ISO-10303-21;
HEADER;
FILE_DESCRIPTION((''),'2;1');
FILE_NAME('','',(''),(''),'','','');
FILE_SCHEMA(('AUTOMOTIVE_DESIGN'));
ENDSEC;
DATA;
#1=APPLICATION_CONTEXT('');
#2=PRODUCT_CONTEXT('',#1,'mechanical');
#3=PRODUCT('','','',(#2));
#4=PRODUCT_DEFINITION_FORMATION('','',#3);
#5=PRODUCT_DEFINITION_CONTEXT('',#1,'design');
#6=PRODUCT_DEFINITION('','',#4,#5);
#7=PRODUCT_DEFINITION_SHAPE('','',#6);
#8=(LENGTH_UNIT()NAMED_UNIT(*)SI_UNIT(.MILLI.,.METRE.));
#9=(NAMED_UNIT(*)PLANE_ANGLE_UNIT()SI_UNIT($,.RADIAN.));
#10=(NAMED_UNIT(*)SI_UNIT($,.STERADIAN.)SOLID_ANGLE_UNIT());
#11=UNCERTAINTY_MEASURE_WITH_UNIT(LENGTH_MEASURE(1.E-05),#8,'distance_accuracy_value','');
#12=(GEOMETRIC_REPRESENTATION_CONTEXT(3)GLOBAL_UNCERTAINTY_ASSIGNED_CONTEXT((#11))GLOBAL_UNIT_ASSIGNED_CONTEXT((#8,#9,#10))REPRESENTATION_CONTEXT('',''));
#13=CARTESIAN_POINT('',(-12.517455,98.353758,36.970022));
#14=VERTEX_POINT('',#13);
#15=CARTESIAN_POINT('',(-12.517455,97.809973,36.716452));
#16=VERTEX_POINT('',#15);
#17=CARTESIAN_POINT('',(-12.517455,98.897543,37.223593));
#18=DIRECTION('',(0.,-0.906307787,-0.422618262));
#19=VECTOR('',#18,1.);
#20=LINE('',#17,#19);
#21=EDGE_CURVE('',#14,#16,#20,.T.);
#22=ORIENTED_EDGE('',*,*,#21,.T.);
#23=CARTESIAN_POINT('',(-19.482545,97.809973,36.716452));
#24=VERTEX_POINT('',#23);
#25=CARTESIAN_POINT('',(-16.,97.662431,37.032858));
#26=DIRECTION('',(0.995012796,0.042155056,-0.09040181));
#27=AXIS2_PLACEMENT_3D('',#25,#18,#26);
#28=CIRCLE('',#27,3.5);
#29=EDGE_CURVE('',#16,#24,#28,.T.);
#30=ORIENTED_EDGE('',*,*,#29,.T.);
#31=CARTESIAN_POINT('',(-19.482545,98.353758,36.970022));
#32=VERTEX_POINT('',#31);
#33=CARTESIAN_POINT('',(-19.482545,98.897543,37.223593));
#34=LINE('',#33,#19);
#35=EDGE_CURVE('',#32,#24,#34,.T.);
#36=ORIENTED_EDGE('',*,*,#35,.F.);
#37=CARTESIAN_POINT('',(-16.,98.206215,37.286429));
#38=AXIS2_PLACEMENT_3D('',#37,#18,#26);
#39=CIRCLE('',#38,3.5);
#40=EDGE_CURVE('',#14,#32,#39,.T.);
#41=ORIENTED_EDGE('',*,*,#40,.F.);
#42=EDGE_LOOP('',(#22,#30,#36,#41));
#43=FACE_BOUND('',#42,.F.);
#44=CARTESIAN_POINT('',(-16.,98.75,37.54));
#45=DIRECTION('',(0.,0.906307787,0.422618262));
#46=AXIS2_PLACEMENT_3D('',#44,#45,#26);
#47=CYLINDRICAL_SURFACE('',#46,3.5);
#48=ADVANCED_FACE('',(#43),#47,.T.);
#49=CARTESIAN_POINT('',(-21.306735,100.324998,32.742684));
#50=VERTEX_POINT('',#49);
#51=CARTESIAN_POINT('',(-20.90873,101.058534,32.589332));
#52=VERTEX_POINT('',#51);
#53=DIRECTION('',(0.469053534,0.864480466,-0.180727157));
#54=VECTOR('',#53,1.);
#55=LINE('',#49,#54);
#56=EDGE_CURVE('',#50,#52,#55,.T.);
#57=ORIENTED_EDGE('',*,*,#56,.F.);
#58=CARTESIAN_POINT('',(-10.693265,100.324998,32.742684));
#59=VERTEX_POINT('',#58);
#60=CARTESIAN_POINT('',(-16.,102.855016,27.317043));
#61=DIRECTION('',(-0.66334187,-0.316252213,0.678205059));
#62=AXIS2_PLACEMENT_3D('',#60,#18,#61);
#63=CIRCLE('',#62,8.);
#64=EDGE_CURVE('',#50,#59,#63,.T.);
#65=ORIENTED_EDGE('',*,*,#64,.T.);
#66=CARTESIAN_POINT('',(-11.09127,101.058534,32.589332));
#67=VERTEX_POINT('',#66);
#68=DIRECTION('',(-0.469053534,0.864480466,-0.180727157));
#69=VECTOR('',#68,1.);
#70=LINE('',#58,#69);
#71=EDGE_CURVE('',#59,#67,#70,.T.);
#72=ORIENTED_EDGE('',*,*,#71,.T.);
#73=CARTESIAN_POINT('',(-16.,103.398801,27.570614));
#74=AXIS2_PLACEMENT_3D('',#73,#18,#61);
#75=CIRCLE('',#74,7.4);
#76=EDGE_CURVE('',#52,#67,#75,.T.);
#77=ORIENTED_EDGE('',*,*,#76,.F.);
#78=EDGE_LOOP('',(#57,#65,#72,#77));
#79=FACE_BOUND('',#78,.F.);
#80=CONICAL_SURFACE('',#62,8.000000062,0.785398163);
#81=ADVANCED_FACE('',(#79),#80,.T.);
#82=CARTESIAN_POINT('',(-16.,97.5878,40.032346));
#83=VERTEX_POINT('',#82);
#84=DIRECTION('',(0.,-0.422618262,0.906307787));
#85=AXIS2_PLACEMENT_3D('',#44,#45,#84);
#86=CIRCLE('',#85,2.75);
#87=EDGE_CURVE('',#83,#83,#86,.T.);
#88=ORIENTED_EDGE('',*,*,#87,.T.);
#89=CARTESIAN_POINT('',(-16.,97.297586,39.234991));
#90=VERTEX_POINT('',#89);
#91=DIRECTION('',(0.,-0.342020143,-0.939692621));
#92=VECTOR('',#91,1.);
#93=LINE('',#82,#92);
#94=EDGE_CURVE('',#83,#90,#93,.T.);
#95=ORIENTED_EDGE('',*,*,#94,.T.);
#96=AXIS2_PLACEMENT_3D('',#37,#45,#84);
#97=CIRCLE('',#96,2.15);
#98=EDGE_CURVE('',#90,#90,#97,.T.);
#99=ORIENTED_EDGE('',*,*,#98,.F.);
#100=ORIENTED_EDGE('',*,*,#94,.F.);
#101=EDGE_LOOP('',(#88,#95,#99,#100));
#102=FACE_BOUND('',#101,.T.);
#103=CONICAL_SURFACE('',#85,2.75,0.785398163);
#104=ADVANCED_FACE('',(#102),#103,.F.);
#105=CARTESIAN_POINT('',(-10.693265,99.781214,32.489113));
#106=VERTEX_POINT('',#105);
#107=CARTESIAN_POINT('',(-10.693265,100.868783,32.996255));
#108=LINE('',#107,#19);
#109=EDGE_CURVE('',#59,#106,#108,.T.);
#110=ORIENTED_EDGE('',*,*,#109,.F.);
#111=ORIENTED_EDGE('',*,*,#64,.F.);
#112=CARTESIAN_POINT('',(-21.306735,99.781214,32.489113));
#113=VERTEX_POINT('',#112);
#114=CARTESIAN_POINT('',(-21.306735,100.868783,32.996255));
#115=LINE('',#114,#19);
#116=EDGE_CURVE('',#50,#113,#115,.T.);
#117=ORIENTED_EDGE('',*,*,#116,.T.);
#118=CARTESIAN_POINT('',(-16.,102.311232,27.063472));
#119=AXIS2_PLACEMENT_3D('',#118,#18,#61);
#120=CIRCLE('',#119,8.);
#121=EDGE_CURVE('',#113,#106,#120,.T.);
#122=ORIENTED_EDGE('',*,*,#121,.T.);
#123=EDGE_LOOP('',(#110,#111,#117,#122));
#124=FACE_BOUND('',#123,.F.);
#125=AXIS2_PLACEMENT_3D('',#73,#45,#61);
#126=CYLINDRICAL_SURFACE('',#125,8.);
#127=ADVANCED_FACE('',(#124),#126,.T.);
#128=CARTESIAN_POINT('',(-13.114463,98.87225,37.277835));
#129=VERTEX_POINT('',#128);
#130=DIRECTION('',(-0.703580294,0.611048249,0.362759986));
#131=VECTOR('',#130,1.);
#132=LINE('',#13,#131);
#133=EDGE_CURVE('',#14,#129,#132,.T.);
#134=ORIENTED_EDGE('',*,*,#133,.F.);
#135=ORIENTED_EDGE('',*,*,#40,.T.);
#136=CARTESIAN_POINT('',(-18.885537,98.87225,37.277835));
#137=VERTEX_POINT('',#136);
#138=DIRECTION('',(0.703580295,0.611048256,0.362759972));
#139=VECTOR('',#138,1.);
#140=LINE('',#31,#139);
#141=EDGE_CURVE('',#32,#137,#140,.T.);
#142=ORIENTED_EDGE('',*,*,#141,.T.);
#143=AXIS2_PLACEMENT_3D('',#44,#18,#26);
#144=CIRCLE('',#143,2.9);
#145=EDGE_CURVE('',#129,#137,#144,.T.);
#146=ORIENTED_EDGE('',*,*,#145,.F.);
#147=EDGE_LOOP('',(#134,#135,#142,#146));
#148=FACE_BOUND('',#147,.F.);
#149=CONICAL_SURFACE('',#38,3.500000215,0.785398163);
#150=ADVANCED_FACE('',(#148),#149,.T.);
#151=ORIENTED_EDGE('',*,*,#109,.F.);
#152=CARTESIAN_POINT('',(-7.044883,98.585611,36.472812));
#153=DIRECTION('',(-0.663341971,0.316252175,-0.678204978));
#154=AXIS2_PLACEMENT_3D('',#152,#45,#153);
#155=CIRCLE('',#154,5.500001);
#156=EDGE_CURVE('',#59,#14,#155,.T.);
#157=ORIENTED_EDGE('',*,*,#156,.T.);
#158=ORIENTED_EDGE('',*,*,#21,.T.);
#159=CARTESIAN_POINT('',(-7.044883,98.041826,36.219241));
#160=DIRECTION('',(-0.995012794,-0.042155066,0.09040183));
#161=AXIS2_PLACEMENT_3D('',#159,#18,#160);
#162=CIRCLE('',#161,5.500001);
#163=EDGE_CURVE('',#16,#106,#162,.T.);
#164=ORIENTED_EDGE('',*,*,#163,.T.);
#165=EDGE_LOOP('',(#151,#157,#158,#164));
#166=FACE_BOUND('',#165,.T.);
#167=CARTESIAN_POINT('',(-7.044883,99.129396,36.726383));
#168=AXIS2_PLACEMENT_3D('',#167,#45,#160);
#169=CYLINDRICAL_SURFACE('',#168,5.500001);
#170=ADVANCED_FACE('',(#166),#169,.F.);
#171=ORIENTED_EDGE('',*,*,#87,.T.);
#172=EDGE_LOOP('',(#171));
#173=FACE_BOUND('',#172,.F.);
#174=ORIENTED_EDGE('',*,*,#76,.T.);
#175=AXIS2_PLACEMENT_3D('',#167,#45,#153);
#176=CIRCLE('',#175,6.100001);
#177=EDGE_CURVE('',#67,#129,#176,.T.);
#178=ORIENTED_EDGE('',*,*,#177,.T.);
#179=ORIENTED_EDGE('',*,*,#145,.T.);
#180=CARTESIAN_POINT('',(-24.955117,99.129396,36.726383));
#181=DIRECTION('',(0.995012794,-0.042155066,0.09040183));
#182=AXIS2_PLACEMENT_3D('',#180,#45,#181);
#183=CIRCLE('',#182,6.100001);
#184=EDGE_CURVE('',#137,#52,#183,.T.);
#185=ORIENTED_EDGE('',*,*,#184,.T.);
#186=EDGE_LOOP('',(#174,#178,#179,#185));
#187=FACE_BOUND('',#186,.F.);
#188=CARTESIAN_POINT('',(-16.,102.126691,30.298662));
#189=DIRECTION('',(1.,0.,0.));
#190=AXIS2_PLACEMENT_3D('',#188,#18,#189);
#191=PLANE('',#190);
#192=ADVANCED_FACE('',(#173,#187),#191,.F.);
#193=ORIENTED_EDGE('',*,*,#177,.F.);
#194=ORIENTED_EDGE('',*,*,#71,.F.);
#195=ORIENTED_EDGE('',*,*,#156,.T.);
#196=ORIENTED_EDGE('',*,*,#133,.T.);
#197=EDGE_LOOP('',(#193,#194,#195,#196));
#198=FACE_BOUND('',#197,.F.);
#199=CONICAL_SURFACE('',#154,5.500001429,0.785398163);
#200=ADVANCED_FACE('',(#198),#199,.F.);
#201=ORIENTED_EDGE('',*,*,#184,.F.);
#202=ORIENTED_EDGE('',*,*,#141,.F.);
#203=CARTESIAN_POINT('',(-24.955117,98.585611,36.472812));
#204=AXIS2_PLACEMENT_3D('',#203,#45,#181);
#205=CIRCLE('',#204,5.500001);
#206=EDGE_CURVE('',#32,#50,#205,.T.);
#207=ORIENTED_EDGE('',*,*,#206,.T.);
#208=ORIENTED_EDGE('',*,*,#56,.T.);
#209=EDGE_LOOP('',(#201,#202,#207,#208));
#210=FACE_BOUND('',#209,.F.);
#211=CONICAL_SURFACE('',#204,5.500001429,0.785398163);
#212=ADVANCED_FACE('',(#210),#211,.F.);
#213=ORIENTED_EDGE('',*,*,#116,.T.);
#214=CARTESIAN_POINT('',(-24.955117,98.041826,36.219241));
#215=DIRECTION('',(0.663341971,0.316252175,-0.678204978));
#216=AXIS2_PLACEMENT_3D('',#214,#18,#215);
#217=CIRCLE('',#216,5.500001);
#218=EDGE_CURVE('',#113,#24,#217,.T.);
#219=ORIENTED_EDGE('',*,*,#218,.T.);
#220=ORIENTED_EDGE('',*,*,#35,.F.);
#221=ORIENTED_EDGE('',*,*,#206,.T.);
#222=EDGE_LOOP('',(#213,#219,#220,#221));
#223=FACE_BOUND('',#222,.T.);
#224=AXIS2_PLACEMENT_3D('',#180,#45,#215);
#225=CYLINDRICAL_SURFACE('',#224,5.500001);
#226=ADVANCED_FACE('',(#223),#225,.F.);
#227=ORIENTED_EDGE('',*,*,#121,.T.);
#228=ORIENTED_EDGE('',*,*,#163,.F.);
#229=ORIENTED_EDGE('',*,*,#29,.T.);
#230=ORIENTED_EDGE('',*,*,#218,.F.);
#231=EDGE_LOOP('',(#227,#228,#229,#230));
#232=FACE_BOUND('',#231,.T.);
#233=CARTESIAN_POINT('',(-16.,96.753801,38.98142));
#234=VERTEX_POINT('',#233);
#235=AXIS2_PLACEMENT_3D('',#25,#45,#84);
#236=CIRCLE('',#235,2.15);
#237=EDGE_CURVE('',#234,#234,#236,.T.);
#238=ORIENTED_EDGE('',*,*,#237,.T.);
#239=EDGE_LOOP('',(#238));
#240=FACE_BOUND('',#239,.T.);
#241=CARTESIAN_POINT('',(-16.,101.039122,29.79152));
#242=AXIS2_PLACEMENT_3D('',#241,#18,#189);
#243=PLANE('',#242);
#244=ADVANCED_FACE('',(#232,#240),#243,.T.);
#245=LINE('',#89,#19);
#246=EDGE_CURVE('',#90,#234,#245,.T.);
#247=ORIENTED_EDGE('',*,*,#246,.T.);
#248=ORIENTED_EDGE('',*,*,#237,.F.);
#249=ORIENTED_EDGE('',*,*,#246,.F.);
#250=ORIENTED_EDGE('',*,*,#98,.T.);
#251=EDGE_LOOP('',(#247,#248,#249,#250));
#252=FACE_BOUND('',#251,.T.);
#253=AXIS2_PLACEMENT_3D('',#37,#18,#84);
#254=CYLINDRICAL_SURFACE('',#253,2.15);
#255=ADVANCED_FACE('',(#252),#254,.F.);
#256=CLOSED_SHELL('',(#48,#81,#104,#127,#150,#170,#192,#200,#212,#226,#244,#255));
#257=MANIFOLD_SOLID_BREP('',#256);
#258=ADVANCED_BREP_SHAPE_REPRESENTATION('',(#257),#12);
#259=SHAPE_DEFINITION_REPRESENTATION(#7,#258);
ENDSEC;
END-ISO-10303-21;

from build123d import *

# Parameters (mm, degrees)
PAD_DEPTH            = 1.2
CHAMFER_SIZE         = 0.6
BODY_PLACEMENT_ANGLE = 25


with BuildPart() as part:
    # Sketch027 → Pad (new body)
    with BuildSketch(Plane.XZ):
        with BuildLine():
            ThreePointArc((-5.306735, -5.013468), (0, -19), (5.306735, -5.013468))
            ThreePointArc((3.482545, -0.349116), (3.832911, -2.90098), (5.306735, -5.013468))
            ThreePointArc((3.482545, -0.349116), (0, 3.5), (-3.482545, -0.349116))
            ThreePointArc((-5.306735, -5.013468), (-3.832911, -2.90098), (-3.482545, -0.349116))
        make_face()
    extrude(amount=PAD_DEPTH)

    # Sketch030 → Groove (revolve, cut)
    with BuildSketch(Plane.YZ):
        Polygon((0, 2.75), (-0.6, 2.15), (-1.2, 2.15), (-1.2, 0), (0, 0), align=None)
    revolve(axis=Axis((0, 0, 0), (0, 1, 0)), mode=Mode.SUBTRACT)

    # Chamfer
    chamfer_edges = [part.edges().sort_by_distance(p)[0] for p in [
        (0, 0, -19),
    ]]
    chamfer(chamfer_edges, length=CHAMFER_SIZE)


with BuildPart() as part_1:
    # Body placement: moved
    add(part.part.moved(Location((-16, 98.75, 37.54))).rotate(Axis((-16, 98.75, 37.54), (1, 0, 0)), BODY_PLACEMENT_ANGLE))


solid = part_1.part
